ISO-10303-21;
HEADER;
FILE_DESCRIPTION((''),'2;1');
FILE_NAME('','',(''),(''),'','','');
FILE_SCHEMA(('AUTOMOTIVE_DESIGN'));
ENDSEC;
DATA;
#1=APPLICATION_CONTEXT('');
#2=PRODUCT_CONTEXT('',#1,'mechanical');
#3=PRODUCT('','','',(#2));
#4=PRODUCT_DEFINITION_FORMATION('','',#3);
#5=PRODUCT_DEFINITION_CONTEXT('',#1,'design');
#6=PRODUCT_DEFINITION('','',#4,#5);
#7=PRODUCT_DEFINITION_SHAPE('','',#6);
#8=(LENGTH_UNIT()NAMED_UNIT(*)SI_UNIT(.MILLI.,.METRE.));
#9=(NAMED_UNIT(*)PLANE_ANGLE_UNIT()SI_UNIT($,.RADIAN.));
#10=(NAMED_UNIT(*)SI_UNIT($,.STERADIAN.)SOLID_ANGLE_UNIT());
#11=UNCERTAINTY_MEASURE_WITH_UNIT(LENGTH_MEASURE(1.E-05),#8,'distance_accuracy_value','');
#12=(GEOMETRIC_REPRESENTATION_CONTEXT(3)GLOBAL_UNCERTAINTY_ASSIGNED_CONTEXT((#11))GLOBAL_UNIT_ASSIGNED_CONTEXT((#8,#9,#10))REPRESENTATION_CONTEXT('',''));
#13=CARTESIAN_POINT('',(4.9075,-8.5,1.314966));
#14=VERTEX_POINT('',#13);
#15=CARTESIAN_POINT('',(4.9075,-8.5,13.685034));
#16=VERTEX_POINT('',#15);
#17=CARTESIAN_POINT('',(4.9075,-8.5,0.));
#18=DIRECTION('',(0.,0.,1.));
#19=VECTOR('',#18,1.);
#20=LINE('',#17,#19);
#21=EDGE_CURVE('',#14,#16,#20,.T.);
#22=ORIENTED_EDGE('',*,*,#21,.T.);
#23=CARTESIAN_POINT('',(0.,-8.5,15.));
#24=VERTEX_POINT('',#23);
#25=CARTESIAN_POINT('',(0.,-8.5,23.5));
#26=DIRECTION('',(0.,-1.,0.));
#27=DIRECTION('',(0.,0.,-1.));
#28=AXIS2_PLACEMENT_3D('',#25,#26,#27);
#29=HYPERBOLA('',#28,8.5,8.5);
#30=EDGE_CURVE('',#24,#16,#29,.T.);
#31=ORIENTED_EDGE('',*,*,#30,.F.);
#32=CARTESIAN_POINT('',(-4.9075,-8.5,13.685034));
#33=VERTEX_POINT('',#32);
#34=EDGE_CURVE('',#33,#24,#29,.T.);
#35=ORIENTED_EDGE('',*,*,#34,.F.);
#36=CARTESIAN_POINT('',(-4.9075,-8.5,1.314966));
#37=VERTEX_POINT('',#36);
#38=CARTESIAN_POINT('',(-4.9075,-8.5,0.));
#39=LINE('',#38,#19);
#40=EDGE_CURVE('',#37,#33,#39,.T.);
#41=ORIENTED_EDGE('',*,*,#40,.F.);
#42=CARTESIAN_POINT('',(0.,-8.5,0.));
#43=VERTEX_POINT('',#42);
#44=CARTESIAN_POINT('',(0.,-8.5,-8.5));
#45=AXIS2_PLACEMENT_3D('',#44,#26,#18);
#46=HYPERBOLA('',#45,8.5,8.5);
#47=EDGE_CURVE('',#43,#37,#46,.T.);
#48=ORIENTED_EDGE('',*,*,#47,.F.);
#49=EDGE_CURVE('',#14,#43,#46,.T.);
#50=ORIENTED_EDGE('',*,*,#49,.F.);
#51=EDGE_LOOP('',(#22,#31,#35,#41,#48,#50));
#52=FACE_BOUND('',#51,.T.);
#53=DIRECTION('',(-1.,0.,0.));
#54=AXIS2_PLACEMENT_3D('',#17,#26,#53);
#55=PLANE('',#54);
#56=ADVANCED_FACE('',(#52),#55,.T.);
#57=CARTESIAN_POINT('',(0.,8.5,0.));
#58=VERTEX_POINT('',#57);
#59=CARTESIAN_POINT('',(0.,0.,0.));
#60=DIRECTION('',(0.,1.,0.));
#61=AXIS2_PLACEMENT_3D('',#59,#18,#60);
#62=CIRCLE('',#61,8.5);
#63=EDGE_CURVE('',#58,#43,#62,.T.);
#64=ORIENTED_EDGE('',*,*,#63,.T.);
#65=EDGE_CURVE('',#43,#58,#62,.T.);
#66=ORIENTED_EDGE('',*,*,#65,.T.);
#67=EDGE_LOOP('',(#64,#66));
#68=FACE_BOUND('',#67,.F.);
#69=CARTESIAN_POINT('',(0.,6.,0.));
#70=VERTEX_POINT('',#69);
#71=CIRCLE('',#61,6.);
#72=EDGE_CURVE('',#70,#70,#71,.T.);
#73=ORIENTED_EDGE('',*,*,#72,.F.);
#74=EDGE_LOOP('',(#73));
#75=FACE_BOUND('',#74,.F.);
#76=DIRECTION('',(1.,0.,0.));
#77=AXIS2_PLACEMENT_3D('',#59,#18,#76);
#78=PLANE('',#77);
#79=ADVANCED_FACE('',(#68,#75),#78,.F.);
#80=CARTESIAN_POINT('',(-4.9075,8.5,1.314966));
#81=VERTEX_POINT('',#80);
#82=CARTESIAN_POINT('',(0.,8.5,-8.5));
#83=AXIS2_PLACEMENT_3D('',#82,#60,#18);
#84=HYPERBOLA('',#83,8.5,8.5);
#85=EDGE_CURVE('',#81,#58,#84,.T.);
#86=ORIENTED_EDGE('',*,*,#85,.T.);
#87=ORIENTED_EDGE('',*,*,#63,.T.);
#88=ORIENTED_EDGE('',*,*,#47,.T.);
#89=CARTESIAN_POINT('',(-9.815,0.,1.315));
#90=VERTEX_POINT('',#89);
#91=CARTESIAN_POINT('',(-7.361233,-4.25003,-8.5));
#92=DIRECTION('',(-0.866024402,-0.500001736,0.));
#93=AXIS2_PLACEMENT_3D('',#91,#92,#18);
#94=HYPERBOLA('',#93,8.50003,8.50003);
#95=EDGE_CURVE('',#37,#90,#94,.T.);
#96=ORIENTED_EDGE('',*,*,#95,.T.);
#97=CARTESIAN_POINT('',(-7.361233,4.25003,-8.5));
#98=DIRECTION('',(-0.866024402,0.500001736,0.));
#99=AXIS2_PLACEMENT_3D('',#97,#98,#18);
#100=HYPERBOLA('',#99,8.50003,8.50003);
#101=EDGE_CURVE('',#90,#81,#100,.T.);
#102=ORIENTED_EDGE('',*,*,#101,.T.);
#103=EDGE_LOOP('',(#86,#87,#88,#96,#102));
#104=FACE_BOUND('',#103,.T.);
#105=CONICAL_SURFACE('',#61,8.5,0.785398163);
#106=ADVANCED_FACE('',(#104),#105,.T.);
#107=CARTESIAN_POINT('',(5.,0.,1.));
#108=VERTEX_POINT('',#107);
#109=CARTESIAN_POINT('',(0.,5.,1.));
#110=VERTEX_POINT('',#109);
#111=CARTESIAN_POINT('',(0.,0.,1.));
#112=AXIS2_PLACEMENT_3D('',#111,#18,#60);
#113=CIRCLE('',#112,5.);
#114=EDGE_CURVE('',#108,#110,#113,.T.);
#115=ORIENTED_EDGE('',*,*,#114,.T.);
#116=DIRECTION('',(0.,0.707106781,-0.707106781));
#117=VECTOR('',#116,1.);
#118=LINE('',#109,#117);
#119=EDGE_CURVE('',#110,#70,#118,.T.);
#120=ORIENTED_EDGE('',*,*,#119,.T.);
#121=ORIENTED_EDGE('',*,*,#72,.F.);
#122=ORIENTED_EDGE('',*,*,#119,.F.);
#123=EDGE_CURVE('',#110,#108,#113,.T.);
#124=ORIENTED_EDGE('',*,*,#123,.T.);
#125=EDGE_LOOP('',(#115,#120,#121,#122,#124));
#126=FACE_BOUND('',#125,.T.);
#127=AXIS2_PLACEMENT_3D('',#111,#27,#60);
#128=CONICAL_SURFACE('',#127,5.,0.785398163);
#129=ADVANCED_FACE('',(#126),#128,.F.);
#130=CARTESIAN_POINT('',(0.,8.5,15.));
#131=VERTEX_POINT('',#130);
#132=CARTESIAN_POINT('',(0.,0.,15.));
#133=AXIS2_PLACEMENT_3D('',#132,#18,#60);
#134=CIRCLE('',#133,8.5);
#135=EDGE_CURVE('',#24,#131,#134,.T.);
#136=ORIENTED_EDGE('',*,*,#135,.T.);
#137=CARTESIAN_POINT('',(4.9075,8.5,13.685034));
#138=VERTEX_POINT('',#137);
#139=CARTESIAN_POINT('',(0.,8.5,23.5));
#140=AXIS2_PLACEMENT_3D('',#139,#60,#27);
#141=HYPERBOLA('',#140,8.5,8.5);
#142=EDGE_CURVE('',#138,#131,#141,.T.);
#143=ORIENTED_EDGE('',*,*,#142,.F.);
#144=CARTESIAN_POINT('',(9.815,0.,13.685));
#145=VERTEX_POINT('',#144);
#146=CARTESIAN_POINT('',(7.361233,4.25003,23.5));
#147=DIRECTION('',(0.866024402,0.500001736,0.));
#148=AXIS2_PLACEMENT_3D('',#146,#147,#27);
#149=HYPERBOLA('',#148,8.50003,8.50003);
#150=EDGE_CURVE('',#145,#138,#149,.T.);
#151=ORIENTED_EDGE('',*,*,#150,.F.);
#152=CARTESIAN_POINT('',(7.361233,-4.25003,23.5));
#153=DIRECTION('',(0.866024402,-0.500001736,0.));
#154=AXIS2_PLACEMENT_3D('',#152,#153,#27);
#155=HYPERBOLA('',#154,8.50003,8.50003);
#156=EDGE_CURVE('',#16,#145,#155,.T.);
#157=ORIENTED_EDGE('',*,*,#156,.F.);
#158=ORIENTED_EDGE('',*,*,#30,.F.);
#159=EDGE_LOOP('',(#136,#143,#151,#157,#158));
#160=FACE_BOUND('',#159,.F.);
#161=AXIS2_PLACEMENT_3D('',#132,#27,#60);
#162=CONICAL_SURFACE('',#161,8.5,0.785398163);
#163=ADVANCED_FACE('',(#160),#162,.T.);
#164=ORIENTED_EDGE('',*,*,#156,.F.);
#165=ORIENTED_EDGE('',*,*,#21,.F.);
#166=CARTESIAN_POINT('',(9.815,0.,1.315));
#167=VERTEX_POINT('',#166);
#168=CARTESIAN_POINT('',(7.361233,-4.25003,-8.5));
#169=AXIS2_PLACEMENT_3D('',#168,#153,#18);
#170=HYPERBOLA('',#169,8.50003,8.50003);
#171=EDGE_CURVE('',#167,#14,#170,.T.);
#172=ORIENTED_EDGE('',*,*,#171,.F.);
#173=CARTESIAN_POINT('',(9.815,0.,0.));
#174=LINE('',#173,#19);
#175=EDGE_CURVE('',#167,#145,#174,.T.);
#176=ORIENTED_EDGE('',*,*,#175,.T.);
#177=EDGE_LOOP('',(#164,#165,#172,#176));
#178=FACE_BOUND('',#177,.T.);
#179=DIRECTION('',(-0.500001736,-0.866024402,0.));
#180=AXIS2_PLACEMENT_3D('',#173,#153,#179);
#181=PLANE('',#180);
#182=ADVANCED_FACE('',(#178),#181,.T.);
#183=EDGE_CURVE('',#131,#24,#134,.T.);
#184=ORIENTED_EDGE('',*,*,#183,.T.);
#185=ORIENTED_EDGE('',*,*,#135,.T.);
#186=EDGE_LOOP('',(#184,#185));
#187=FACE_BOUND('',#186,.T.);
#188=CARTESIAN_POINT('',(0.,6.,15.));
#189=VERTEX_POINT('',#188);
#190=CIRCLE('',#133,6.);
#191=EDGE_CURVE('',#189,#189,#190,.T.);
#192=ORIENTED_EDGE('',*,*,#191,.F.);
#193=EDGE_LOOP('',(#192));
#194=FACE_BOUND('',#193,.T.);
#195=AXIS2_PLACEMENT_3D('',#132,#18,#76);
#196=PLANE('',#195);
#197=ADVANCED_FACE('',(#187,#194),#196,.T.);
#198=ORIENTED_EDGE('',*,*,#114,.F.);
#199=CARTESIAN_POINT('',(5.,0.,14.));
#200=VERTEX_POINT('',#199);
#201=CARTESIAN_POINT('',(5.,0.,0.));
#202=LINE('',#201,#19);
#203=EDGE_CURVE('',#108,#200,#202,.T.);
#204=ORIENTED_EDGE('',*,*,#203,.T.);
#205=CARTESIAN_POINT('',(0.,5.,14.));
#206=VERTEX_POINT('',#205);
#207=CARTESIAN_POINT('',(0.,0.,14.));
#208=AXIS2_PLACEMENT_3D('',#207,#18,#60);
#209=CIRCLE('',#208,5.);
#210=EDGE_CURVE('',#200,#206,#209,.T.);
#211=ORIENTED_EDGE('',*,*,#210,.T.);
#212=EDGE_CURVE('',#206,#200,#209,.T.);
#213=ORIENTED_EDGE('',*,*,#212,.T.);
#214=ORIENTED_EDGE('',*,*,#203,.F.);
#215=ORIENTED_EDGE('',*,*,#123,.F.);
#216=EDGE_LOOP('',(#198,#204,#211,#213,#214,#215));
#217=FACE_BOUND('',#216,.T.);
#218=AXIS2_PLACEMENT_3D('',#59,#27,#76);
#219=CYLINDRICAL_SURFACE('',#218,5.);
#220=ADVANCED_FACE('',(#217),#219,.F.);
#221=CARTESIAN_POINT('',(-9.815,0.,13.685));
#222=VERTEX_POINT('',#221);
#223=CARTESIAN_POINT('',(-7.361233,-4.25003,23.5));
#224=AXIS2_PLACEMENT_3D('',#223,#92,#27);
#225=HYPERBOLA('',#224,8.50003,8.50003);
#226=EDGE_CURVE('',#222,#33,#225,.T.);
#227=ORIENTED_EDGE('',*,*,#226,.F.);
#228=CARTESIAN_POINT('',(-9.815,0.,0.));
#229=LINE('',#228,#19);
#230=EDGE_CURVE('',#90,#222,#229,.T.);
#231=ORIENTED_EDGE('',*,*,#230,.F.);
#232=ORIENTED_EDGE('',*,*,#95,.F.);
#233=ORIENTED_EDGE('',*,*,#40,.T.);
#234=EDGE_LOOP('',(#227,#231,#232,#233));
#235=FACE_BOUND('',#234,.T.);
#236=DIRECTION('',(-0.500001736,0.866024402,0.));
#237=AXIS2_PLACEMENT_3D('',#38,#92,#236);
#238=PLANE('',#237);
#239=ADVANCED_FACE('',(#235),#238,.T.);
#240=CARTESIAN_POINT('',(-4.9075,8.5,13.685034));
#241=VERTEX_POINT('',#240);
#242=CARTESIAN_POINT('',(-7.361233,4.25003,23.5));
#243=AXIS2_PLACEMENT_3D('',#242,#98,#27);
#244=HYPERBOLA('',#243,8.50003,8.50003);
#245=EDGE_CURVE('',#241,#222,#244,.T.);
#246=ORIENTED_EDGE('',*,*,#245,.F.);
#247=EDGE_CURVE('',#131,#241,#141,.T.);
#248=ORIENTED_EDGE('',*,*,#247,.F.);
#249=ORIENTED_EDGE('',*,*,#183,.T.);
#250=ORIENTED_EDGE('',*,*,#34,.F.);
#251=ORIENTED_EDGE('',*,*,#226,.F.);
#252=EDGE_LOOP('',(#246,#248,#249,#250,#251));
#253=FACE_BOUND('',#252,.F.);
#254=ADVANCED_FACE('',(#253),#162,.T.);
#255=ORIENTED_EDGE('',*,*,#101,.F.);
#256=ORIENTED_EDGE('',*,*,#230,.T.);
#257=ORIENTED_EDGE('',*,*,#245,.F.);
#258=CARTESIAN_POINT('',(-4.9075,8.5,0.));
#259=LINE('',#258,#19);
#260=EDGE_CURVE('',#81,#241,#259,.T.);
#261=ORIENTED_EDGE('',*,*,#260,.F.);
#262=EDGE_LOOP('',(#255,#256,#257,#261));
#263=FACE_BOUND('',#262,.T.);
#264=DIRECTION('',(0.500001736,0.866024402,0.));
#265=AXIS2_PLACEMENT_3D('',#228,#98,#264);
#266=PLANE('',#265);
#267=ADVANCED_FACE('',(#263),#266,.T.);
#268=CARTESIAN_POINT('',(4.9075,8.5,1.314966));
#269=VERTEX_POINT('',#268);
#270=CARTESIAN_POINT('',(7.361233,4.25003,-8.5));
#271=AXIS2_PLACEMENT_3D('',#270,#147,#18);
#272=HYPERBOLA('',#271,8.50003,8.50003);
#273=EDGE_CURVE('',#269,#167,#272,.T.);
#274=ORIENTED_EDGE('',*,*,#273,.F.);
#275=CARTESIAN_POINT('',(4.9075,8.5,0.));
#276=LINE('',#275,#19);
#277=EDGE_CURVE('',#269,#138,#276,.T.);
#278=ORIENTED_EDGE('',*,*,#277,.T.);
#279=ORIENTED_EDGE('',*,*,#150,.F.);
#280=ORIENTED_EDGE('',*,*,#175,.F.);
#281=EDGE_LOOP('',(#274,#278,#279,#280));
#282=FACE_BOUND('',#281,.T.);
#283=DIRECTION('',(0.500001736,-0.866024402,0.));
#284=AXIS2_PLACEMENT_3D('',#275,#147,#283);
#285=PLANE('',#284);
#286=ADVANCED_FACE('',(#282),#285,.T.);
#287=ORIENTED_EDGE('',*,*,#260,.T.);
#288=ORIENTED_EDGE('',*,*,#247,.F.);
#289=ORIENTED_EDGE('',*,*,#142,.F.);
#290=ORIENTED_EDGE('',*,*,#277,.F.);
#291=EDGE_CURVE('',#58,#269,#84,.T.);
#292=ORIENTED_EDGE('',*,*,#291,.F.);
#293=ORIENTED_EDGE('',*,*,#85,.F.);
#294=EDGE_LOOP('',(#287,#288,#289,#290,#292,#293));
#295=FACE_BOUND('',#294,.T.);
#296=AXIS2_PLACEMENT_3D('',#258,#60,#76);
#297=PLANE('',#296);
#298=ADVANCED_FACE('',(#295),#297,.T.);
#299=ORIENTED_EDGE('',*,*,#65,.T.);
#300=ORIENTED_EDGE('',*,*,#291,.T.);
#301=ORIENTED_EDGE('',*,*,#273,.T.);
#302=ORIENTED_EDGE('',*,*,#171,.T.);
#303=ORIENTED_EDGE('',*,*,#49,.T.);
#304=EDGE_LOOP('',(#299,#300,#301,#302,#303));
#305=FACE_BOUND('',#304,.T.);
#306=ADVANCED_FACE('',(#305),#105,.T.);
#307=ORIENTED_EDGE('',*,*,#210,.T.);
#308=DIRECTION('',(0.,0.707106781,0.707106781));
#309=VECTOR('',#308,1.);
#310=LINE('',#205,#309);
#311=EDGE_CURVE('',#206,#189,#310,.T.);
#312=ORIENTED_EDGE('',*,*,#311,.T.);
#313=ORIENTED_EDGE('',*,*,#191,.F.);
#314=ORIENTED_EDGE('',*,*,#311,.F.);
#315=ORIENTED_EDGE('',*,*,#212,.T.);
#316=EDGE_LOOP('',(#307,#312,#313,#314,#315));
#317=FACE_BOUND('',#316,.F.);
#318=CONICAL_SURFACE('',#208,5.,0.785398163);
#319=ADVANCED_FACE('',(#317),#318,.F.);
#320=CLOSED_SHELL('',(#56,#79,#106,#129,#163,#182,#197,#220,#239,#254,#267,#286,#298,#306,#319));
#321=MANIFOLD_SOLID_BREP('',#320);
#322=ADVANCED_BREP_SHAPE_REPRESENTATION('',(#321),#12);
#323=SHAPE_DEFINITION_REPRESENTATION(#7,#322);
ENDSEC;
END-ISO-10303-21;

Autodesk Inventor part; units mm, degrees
ref_plane "YZ Plane" through (0, 0, 0) normal (1, 0, 0) x (0, 1, 0)
ref_plane "XZ Plane" through (0, 0, 0) normal (0, 1, 0) x (-1, 0, 0)
ref_plane "XY Plane" through (0, 0, 0) normal (0, 0, 1) x (1, 0, 0)
sketch "Sketch1" plane through (0, 0, 0) normal (0, 0, 1) x (1, 0, 0)
  circle A0 centre (0, 0) radius 5
  line L0 (4.9075, 8.5) -> (9.815, 0)
  line L1 (9.815, 0) -> (4.9075, -8.5)
  line L2 (4.9075, -8.5) -> (-4.9075, -8.5)
  line L3 (-4.9075, -8.5) -> (-9.815, 0)
  line L4 (-9.815, 0) -> (-4.9075, 8.5)
  line L5 (-4.9075, 8.5) -> (4.9075, 8.5)
  dimension "d0" = 10
  dimension "d1" = 17
extrude "Extrusion1" add sketch "Sketch1" along normal blind 15
sketch "Sketch2" plane through (0, 0, 0) normal (1, 0, 0) x (0, 1, 0)
  line L0 (-8.5, 0) -> (-8.5, 15) projected
  line L1 (-8.5, 15) -> (-5, 15) projected
  line L2 (-5, 15) -> (-5, 0) projected
  line L3 (-5, 0) -> (-8.5, 0) projected
  line L4 (8.5, 15) -> (8.5, 0) projected
  line L5 (8.5, 0) -> (5, 0) projected
  line L6 (5, 0) -> (5, 15) projected
  line L7 (5, 15) -> (8.5, 15) projected
  line L8 (5, 14) -> (6, 15)
  line L9 (5, 14) -> (6.4142, 14) construction
  line L10 (8.5, 15) -> (12.5, 11)
  line L11 (8.5, 15) -> (14.1569, 15) construction
  line L12 (6, 15) -> (8.5, 15)
  line L13 (0, -3) -> (0, 18) projected
  line L14 (5, 7.5) -> (8.5, 7.5) construction
  line L15 (5, 0) -> (8.5, 0)
  line L16 (5, 1) -> (6, 0)
  line L17 (5, 1) -> (6.4142, 1) construction
  line L18 (8.5, 0) -> (12.5, 4)
  line L19 (8.5, 0) -> (14.1569, 0) construction
  line L20 (6, 0) -> (8.5, 0)
  line L21 (5, 14) -> (5, 1)
  line L22 (12.5, 4) -> (12.5, 11)
  point P0 (0, 0)
  dimension "d4" = 45
  dimension "d5" = 1
  dimension "d7" = 45
  dimension "d8" = 4
revolve "Revolution1" cut sketch "Sketch2" angle 360 about axis through (0, 0, -10) along (0, 0, 1) keep common part contours L10 L22 L18 L4 | L4 L5 L16 L6 L8 L7
thread "Thread1" size "TR10x2" class "7H" standard "ISO Metric Trapezoidal Threads" full length
properties part number "T10x2 nakretka"
